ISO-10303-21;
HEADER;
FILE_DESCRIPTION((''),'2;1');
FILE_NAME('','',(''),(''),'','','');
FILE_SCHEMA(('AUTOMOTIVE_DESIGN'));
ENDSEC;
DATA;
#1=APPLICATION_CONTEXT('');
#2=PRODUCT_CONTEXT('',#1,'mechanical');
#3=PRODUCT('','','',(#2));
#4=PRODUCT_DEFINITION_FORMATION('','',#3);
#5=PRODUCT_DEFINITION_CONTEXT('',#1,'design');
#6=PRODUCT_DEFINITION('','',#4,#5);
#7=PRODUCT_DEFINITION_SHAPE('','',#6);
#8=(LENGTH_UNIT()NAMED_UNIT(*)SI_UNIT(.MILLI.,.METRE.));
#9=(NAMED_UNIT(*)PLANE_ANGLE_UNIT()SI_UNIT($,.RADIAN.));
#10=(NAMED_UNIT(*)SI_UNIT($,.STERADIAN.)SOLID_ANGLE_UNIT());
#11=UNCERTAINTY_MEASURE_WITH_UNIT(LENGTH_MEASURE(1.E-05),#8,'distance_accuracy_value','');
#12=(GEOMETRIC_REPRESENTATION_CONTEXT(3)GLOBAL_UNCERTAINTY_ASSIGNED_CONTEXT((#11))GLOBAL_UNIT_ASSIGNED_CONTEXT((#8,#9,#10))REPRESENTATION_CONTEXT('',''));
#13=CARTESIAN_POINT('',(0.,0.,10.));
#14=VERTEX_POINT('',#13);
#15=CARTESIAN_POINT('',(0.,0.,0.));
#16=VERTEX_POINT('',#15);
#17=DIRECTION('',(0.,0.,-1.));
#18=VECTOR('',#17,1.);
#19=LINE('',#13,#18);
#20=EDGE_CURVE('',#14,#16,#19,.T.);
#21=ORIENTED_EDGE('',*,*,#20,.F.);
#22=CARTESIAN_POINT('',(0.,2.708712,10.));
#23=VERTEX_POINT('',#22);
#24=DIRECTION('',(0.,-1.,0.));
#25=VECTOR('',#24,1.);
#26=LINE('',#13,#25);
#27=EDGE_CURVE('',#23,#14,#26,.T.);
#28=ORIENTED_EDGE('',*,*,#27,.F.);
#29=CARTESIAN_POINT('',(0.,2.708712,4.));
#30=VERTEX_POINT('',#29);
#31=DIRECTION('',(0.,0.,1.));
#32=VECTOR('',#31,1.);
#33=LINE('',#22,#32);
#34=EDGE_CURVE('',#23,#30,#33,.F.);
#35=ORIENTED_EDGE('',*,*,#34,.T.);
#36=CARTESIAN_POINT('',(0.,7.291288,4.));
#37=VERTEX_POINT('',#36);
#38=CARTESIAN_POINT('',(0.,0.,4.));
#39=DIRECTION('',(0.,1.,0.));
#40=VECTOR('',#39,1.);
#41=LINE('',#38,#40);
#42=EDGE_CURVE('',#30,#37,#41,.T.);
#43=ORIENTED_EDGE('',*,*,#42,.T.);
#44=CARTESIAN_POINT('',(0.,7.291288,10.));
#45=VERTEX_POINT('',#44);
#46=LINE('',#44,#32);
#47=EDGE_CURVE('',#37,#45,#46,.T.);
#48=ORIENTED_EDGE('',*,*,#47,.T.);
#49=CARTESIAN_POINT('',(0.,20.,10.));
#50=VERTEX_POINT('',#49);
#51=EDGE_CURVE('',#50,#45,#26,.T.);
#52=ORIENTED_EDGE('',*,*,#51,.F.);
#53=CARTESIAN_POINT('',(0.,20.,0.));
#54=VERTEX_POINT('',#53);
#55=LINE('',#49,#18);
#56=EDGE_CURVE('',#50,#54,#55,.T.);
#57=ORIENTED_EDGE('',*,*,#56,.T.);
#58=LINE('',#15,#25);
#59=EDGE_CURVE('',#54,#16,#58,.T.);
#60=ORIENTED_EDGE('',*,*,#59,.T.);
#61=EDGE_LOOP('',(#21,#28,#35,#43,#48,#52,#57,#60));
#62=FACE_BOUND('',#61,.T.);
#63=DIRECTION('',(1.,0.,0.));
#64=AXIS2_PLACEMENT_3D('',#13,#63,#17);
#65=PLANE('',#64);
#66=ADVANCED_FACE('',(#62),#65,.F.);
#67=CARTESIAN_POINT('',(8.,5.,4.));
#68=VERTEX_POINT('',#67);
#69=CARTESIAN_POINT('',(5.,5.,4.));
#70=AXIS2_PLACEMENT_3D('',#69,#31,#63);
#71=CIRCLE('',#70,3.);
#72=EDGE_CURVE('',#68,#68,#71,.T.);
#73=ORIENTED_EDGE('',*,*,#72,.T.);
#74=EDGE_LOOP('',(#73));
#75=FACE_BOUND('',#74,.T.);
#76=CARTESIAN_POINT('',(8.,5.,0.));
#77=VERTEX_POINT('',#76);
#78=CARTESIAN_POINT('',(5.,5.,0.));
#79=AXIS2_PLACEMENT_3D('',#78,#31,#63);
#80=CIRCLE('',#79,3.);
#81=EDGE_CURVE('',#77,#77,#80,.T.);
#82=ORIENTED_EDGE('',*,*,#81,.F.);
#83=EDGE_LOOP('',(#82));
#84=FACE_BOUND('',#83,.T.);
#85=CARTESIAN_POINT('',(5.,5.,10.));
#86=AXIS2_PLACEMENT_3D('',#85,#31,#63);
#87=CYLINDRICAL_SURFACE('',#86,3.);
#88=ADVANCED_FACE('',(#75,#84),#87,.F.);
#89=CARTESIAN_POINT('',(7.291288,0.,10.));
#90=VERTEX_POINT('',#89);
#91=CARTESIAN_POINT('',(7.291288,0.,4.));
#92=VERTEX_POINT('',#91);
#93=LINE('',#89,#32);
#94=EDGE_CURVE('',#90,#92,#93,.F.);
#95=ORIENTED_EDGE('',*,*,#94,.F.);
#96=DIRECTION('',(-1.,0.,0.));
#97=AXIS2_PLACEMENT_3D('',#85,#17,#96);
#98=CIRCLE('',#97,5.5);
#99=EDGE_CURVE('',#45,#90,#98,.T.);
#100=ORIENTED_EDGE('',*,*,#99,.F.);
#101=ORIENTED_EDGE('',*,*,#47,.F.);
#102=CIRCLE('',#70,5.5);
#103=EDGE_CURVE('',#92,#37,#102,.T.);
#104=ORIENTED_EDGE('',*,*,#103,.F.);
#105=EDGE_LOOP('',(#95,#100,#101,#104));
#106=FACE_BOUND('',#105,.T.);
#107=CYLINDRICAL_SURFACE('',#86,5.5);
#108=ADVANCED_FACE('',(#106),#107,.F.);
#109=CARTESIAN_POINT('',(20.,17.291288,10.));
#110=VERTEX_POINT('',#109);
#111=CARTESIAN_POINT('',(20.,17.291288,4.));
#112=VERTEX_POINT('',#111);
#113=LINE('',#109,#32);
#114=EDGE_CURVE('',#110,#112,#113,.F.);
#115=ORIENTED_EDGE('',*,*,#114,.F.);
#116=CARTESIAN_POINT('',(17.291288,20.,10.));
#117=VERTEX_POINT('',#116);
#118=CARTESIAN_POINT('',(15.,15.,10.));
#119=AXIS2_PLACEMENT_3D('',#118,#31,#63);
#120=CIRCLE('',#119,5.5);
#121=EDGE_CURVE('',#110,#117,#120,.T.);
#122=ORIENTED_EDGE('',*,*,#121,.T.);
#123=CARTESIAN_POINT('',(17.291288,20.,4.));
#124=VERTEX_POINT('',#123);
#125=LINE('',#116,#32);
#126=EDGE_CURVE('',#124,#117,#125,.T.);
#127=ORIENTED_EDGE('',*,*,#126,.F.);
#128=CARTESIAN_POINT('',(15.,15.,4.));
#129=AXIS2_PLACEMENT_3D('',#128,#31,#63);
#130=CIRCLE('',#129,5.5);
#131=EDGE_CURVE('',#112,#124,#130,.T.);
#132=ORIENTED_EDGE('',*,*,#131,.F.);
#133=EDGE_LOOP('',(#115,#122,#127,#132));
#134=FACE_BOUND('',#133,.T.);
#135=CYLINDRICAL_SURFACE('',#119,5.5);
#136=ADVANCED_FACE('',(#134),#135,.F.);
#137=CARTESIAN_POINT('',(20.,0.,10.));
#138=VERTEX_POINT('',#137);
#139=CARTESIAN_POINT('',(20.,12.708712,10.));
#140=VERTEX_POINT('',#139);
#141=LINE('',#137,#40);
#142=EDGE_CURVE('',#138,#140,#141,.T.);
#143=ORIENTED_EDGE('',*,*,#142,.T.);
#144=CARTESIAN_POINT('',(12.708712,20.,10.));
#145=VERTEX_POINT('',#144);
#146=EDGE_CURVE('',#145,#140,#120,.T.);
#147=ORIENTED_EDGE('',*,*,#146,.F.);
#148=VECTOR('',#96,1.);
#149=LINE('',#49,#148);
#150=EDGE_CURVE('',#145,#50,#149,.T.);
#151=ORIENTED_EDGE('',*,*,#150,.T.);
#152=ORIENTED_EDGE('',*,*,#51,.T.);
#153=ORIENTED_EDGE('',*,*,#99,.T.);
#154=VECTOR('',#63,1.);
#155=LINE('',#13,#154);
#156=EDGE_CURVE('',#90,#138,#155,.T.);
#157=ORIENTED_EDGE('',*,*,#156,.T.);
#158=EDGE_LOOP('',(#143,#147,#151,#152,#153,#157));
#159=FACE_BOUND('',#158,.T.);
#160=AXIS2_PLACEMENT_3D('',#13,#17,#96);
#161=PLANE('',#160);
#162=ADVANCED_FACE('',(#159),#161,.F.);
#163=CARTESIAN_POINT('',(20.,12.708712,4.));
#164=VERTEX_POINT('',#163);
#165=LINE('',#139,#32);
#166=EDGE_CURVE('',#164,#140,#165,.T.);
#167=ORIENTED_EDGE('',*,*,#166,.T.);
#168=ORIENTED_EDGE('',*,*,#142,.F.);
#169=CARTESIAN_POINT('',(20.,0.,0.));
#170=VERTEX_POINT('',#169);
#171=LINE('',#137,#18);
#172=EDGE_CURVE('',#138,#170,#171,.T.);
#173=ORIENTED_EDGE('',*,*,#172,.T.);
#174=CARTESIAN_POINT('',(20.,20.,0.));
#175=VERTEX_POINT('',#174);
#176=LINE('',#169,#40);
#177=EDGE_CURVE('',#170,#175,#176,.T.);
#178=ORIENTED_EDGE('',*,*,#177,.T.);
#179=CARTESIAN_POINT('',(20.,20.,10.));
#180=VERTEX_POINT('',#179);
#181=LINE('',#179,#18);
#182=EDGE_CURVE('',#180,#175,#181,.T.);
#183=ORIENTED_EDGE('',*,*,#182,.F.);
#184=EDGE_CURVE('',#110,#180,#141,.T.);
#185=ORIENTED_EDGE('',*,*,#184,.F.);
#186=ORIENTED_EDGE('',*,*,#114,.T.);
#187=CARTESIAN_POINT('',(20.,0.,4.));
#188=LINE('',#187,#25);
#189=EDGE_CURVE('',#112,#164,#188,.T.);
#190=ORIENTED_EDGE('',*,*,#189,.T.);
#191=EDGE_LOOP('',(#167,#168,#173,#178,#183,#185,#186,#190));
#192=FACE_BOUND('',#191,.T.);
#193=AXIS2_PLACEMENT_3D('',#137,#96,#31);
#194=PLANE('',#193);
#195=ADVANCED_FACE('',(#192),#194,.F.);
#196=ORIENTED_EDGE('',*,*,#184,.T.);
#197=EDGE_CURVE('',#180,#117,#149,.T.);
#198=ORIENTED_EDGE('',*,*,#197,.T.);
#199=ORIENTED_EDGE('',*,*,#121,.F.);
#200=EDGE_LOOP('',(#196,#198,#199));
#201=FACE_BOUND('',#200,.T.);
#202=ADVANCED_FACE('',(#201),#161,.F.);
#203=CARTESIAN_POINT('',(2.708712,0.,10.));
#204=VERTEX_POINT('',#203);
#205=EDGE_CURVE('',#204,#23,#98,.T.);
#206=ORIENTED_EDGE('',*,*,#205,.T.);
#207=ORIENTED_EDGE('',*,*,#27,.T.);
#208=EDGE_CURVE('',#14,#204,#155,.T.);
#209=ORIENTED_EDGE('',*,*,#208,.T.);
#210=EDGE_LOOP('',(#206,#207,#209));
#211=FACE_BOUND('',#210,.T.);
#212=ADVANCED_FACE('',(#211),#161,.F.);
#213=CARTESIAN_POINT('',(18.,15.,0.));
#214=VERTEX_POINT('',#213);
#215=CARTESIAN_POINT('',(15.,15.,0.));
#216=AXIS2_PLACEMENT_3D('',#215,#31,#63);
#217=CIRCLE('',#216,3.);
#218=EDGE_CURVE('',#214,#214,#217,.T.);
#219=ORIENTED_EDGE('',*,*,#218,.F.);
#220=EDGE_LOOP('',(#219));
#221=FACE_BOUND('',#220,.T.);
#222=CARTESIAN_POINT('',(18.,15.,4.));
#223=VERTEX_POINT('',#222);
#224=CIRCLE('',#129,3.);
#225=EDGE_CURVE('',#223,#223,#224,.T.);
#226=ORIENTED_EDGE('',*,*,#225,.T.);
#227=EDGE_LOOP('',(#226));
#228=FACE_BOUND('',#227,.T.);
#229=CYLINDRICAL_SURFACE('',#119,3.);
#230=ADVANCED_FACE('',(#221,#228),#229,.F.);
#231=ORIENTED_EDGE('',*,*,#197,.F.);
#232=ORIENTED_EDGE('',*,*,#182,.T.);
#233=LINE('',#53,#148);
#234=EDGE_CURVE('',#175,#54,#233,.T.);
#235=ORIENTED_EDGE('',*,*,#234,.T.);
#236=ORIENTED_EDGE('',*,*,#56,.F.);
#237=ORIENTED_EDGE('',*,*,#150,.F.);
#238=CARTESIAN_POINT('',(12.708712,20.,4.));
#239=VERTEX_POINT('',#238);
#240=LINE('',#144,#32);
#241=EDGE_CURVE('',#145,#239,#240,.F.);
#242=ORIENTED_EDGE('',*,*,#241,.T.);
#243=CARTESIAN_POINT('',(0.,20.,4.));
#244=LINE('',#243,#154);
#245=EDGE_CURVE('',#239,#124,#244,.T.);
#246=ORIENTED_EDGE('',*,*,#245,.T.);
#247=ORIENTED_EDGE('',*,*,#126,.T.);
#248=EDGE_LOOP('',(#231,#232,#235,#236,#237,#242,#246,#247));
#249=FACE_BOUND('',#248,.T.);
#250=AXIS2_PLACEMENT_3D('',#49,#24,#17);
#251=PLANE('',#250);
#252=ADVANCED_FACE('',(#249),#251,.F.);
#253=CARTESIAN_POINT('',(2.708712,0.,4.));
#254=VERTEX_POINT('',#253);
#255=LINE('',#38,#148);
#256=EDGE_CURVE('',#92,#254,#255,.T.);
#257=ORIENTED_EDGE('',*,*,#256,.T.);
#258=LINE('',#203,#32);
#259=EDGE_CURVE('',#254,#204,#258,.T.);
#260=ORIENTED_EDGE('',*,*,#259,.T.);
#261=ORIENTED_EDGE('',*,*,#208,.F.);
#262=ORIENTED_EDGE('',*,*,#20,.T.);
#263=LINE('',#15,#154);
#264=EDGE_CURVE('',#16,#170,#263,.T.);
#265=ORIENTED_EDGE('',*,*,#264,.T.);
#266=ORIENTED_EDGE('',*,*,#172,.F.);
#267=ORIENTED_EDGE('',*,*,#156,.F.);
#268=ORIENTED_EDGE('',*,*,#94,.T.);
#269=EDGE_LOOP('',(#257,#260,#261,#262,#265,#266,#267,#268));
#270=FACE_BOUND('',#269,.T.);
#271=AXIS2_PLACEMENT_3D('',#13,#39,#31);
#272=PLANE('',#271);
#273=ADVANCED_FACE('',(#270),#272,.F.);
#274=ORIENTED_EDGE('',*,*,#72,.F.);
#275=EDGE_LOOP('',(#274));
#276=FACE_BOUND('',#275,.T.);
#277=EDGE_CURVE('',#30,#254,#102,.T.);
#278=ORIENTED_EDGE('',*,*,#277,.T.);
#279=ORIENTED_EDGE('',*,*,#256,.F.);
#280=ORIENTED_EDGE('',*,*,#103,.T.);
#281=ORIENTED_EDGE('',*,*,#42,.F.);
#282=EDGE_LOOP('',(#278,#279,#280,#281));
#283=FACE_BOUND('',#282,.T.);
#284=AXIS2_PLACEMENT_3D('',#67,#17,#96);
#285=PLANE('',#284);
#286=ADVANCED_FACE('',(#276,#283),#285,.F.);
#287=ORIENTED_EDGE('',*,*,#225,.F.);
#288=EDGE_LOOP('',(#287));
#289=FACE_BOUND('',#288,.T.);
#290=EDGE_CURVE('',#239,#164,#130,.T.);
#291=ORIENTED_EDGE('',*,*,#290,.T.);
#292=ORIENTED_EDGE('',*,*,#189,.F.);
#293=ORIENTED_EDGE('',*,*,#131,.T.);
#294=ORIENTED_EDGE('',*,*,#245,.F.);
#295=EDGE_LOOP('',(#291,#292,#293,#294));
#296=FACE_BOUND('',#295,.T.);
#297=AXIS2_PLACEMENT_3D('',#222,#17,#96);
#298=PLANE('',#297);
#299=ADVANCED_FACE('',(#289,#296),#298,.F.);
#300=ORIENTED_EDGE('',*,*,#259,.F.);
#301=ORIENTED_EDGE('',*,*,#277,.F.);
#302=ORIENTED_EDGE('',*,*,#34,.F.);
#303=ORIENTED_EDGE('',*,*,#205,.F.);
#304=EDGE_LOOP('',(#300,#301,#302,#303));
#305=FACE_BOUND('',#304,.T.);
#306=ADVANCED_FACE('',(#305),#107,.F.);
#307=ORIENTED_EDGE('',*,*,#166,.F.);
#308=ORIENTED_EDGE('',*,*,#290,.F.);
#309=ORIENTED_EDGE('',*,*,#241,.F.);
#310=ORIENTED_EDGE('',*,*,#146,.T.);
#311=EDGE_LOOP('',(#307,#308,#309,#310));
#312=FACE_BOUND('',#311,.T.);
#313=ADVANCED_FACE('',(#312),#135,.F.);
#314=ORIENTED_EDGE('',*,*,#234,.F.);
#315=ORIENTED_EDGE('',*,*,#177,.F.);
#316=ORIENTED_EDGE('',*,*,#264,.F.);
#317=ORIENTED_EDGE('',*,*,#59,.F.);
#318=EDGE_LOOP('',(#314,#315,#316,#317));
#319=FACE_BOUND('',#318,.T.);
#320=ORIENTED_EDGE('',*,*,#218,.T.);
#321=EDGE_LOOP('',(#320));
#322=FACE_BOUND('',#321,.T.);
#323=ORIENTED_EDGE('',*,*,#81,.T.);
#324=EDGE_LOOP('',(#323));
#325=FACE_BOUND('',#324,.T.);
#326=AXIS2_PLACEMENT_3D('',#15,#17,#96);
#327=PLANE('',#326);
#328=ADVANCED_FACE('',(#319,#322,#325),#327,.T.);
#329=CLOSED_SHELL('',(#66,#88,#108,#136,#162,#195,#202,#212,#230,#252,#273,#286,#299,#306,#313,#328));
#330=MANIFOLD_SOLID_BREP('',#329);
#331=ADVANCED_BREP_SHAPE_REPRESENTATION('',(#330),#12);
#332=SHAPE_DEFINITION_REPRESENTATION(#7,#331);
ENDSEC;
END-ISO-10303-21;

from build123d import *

# Parameters (mm, degrees)
SKETCH_1_W                                  = 20
SKETCH_1_H                                  = 20
BASEBOX_DEPTH                               = 10
HOLE_TWOPOINT_SKETCH_POINTS_EXT_D           = 6
HOLE_TWOPOINT_SKETCH_POINTS_EXT_CBORE_D     = 11
HOLE_TWOPOINT_SKETCH_POINTS_EXT_CBORE_DEPTH = 6


with BuildPart() as part:
    # 草图1 → BaseBox (new body)
    with BuildSketch(Plane.XY):
        with Locations((10, 10)):
            Rectangle(SKETCH_1_W, SKETCH_1_H)
    extrude(amount=BASEBOX_DEPTH)

    # Hole_TwoPoint_sketch_points_ext (through all)
    with Locations(Plane(origin=(15, 15, 10), x_dir=(1, 0, 0), z_dir=(0, 0, 1))):
        with Locations((0, 0), (-10, -10)):
            CounterBoreHole(HOLE_TWOPOINT_SKETCH_POINTS_EXT_D / 2, HOLE_TWOPOINT_SKETCH_POINTS_EXT_CBORE_D / 2, HOLE_TWOPOINT_SKETCH_POINTS_EXT_CBORE_DEPTH)


solid = part.part
